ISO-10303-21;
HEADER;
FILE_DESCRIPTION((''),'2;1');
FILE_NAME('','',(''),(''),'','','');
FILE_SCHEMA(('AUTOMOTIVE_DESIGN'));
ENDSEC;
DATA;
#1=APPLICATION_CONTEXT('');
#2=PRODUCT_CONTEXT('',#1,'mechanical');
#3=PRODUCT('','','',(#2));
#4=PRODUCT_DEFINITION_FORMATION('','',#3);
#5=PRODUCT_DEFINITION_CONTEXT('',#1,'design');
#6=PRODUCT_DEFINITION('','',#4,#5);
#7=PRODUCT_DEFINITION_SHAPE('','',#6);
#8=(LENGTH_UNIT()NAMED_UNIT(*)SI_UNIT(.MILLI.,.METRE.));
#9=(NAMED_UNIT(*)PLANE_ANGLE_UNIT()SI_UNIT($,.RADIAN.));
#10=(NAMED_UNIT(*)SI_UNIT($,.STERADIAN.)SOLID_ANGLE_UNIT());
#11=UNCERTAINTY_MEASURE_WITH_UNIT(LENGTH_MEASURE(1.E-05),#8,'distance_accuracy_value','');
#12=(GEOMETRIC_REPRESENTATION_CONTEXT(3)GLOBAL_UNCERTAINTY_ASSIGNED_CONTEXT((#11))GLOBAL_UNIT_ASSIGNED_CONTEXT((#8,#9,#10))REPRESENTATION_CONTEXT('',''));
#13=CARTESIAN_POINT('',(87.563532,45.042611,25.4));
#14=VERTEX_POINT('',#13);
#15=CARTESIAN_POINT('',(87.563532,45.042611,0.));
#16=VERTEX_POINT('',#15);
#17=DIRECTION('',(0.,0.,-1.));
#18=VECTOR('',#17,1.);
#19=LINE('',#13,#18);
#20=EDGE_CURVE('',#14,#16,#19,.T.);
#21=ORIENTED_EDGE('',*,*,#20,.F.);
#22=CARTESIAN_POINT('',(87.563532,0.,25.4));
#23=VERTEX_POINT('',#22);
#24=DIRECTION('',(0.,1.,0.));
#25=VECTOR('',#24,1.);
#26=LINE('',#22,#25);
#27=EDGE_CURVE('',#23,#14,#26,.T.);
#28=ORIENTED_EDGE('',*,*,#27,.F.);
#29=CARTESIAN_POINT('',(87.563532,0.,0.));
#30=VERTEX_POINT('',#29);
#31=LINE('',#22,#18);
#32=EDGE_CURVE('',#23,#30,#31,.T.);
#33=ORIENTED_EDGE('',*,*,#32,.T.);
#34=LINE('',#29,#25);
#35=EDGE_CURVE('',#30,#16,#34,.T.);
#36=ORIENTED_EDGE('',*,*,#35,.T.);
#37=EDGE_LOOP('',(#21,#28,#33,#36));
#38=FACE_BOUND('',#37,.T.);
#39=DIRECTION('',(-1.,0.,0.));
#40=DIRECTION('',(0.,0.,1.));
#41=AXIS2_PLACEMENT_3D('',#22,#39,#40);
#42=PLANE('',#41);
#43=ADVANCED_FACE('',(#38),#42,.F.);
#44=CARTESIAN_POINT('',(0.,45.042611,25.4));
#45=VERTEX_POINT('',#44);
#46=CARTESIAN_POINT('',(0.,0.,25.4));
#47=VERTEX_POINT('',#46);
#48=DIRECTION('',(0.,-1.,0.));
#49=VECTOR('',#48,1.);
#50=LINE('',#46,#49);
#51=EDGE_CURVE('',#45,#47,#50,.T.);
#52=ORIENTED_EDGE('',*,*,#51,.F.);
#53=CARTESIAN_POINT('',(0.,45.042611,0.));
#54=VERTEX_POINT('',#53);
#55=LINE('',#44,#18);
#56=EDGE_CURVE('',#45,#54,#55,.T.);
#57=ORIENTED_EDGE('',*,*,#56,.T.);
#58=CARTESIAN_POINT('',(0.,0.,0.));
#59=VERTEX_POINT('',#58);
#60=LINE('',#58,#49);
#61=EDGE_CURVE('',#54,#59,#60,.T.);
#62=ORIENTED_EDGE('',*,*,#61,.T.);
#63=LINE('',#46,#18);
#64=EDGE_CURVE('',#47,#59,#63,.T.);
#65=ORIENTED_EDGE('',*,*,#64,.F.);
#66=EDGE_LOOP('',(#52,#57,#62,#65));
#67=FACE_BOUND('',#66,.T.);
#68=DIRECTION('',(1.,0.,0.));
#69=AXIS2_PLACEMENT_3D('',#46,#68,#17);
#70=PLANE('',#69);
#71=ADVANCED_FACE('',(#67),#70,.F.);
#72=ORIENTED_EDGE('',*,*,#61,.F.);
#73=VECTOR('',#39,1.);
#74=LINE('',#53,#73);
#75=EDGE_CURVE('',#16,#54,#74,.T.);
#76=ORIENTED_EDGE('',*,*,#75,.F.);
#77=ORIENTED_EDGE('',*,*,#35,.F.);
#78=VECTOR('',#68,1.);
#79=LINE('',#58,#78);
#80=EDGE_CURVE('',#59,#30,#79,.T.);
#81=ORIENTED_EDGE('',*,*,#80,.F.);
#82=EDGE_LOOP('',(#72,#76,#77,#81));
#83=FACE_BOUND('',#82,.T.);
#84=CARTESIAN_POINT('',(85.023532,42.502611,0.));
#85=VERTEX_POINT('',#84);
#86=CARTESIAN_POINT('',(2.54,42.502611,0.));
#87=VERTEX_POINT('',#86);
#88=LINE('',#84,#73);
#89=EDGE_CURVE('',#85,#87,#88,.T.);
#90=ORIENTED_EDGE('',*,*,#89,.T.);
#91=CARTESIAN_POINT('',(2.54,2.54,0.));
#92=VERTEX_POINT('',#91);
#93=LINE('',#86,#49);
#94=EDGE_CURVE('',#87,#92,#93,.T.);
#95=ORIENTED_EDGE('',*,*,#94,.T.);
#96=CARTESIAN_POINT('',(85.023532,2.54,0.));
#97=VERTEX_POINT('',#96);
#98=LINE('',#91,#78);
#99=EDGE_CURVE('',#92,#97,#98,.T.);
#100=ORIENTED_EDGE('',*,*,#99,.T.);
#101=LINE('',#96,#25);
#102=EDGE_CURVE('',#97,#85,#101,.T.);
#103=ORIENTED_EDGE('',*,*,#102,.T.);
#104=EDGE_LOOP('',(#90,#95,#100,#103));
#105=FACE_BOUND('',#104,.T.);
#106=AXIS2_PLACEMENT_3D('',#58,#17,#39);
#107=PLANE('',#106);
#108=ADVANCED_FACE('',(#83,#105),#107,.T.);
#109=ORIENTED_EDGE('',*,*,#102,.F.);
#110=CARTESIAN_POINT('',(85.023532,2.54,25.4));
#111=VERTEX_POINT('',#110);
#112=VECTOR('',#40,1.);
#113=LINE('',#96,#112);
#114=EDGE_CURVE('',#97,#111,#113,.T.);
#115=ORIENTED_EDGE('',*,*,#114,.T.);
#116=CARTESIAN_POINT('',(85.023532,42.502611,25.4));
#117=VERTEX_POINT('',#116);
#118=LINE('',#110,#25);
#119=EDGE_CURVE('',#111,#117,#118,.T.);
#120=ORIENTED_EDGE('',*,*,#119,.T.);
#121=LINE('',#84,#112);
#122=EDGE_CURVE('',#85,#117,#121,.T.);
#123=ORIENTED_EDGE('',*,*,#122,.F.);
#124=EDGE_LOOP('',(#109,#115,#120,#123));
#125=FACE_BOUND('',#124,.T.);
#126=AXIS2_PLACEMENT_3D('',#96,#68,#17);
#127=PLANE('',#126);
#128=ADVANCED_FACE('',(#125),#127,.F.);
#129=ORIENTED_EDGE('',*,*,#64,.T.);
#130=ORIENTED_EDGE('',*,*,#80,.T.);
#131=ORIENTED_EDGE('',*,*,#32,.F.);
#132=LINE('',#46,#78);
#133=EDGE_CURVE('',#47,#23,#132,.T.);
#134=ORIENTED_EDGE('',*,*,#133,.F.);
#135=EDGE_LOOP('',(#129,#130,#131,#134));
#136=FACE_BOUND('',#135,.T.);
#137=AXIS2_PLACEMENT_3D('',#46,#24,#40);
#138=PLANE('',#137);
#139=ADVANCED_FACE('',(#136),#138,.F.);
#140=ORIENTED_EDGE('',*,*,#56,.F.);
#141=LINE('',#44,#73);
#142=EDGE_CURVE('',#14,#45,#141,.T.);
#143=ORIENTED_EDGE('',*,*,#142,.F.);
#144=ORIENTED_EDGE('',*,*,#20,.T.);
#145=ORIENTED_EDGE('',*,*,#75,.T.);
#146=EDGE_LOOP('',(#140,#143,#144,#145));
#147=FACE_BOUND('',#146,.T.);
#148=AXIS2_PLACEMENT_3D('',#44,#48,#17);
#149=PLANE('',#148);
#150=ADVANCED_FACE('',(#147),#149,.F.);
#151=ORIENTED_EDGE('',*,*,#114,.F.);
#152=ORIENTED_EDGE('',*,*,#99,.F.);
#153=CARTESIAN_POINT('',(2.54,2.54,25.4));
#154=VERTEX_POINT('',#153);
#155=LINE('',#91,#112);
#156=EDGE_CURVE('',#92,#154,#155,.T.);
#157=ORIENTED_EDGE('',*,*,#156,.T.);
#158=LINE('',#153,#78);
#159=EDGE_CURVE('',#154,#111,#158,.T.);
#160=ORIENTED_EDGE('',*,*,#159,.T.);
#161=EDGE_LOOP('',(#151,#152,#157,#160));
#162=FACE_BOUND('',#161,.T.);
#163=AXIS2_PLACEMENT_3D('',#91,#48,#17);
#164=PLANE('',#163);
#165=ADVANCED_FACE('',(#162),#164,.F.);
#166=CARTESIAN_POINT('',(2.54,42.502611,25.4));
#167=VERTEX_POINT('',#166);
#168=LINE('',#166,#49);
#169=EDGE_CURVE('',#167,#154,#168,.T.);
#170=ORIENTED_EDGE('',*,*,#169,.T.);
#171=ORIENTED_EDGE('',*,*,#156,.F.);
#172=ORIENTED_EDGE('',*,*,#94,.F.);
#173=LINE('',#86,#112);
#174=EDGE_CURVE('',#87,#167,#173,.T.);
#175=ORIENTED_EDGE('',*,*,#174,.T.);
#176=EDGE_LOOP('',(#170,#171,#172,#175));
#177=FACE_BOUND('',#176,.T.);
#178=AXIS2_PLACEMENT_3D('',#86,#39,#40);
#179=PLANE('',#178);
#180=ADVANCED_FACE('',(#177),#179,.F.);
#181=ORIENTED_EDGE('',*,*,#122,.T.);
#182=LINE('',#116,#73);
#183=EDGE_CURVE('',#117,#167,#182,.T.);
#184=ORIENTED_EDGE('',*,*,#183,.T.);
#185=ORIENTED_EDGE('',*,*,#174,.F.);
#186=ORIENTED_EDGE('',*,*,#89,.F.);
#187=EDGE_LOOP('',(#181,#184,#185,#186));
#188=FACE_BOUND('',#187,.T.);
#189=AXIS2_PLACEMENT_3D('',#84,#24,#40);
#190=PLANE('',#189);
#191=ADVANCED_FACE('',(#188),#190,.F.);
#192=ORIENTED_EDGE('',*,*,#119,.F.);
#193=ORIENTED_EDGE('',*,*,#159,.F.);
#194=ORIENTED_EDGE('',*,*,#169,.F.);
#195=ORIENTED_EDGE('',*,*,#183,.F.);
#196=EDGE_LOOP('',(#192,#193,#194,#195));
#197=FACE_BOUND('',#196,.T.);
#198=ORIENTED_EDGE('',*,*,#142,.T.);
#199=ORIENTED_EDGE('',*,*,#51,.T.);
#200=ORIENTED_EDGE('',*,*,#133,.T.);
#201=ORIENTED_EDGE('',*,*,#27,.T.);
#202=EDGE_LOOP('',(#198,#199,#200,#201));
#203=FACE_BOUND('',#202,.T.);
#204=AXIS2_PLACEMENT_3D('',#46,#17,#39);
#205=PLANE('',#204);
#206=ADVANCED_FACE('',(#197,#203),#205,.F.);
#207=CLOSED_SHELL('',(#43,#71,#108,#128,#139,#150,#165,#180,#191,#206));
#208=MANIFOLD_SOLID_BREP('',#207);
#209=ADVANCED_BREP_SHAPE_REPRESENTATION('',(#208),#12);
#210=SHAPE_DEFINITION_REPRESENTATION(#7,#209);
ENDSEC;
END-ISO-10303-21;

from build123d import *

# Parameters (mm, degrees)
SKETCH1_W           = 87.563531585
SKETCH1_H           = 45.042611083
BOSS_EXTRUDE1_DEPTH = 25.4
SKETCH2_W           = 82.483531585
SKETCH2_H           = 39.962611083
CUT_EXTRUDE1_DEPTH  = 102.692521243


with BuildPart() as part:
    # Sketch1 → Boss-Extrude1 (new body)
    with BuildSketch(Plane.XY):
        with Locations((43.781765793, 22.521305542)):
            Rectangle(SKETCH1_W, SKETCH1_H)
    extrude(amount=BOSS_EXTRUDE1_DEPTH)

    # Sketch2 → Cut-Extrude1 (cut, through all)
    with BuildSketch(Plane.XY.offset(25.4)):
        with Locations((43.781765793, 22.521305542)):
            Rectangle(SKETCH2_W, SKETCH2_H)
    extrude(amount=-CUT_EXTRUDE1_DEPTH, mode=Mode.SUBTRACT)


solid = part.part
